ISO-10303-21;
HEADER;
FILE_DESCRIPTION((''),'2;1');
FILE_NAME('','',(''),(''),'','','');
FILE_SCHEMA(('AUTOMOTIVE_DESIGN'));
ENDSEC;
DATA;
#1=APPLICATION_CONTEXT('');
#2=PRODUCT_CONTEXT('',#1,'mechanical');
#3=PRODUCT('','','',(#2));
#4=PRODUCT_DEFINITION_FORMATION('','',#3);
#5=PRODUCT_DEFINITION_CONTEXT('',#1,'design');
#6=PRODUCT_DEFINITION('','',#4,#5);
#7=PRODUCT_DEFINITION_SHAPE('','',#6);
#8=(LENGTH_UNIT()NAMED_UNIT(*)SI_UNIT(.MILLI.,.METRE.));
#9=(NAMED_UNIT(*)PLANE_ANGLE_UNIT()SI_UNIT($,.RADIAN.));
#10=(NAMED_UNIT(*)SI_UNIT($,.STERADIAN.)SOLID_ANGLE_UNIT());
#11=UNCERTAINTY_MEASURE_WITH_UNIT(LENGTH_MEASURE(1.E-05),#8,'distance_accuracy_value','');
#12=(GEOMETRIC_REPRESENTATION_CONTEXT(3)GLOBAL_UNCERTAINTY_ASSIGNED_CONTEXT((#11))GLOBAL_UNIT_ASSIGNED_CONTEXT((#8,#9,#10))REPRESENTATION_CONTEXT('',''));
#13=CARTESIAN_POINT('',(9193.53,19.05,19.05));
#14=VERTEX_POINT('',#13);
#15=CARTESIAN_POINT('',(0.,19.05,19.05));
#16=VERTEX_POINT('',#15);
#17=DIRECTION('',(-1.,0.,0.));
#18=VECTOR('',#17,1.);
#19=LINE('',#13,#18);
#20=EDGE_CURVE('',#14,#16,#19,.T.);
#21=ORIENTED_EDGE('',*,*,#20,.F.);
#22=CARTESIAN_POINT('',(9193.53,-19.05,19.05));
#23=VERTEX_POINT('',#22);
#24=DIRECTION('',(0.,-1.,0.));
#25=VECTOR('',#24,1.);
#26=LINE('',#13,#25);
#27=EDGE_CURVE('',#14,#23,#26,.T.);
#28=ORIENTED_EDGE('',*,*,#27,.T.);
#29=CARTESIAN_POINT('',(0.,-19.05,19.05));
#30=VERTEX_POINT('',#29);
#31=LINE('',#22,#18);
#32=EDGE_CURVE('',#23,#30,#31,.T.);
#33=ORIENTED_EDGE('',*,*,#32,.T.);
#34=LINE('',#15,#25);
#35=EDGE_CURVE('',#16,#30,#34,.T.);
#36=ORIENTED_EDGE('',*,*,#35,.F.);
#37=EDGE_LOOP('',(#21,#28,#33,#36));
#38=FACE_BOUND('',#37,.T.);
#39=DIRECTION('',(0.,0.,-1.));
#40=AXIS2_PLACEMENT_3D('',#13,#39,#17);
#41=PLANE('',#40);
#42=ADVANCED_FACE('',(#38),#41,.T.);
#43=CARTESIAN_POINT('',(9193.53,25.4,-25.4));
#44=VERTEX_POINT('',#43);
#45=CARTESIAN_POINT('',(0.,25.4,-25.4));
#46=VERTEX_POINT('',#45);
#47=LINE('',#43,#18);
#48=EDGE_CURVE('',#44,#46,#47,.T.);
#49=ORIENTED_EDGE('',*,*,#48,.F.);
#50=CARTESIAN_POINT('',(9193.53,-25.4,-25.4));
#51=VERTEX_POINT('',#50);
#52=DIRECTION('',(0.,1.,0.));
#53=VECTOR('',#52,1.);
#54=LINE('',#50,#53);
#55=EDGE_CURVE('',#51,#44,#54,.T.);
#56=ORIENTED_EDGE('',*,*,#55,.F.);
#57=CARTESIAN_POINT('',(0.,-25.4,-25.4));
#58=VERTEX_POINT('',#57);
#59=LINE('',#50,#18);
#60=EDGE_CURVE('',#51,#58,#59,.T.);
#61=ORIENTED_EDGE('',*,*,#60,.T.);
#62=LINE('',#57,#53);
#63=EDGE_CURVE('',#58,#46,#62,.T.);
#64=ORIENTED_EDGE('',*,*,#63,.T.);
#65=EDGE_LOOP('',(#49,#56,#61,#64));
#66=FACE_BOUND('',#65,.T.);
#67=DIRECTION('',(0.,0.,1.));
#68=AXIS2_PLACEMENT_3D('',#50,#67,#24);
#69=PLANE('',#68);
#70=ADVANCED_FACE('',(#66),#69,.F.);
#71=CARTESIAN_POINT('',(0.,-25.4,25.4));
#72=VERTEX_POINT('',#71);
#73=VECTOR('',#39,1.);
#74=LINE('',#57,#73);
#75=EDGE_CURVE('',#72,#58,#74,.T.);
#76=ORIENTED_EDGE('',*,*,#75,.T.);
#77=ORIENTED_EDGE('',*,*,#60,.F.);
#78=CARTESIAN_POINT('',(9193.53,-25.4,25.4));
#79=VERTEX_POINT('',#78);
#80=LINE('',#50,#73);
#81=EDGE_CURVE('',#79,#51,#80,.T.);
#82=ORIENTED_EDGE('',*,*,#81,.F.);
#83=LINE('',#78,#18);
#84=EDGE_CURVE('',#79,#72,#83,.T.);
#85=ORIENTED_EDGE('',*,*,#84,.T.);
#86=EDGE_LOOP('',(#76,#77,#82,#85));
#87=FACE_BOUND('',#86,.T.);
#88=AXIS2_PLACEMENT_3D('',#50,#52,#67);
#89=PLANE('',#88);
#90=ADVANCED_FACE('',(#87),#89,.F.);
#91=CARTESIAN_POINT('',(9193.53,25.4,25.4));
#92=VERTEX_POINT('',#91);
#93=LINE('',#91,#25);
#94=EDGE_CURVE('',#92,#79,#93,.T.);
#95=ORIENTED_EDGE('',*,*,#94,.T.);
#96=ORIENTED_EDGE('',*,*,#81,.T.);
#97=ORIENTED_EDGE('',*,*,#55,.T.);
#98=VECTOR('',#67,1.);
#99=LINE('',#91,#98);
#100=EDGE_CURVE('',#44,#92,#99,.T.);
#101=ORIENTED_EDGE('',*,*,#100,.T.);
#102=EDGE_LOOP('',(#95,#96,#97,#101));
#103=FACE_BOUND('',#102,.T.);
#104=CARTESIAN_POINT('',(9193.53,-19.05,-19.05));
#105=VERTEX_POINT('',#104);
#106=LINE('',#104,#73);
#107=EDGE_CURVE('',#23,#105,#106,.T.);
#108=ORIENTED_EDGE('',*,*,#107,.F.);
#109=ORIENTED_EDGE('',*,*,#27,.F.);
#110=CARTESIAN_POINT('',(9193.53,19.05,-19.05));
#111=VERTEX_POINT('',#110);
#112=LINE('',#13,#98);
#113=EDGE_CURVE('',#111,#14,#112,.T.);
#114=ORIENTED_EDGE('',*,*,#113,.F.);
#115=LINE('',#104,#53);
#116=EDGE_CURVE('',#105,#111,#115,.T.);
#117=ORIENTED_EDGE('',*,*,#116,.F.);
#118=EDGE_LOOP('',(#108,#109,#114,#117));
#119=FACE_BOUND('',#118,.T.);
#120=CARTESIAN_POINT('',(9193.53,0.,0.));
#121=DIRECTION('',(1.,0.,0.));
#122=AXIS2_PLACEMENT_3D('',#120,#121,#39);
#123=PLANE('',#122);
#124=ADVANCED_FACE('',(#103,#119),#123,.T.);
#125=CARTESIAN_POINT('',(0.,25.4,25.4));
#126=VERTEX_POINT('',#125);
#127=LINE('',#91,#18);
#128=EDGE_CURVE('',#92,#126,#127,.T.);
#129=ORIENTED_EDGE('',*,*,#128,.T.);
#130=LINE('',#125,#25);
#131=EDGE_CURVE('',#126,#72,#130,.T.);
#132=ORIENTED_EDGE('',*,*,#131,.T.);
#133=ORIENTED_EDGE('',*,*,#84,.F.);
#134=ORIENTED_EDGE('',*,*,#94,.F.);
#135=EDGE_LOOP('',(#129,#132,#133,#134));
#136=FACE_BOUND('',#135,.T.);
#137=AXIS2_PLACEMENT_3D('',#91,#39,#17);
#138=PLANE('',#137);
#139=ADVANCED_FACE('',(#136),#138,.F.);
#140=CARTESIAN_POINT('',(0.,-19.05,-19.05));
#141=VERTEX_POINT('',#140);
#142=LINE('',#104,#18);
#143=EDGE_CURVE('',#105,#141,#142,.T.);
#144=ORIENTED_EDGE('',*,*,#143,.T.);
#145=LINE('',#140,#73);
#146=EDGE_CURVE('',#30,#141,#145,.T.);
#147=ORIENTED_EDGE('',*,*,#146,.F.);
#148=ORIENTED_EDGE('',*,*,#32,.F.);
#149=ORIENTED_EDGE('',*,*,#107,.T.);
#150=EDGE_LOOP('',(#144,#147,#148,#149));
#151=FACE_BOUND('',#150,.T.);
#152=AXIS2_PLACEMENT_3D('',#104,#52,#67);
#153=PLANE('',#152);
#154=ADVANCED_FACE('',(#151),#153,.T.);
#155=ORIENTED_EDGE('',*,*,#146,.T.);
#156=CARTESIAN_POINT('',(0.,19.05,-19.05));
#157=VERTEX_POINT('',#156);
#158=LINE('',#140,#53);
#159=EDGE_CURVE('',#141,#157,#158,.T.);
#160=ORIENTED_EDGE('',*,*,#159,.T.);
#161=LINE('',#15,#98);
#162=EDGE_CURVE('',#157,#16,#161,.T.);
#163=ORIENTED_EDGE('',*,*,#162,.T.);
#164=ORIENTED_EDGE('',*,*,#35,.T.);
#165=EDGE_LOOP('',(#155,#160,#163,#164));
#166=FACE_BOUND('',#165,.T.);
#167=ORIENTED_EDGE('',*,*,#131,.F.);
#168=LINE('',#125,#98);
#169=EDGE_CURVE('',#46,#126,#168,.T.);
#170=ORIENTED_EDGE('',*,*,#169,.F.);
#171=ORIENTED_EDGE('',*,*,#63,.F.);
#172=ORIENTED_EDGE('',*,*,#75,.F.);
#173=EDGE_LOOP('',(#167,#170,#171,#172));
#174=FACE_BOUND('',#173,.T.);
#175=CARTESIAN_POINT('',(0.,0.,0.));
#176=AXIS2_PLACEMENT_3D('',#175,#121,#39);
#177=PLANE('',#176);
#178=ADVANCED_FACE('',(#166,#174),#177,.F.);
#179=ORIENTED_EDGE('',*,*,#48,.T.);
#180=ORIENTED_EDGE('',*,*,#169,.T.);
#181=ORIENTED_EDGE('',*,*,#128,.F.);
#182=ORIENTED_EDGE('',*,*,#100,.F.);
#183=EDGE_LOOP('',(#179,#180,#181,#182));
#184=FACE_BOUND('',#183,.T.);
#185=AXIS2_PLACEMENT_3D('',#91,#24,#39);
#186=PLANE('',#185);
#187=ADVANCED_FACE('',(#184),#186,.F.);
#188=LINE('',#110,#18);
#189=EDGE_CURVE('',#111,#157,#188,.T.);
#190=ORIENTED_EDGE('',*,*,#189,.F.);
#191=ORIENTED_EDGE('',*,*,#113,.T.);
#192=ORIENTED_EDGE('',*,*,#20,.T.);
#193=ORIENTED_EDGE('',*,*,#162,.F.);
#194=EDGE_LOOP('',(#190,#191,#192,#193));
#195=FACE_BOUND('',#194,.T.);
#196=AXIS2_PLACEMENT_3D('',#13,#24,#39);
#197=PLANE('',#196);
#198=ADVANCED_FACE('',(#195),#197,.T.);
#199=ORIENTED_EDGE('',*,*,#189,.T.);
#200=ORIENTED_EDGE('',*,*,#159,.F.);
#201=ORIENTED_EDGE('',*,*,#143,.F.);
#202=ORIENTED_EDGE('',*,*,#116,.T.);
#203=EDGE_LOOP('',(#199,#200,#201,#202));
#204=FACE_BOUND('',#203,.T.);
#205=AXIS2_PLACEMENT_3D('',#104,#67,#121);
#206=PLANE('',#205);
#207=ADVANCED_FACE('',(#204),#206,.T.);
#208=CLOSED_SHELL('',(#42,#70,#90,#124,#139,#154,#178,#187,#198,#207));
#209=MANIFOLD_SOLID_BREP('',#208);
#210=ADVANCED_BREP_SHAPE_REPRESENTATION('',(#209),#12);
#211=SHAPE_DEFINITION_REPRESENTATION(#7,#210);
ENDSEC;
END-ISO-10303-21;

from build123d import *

# Parameters (mm, degrees)
SKETCH11_W                                     = 50.8
SKETCH11_H                                     = 50.8
SKETCH11_W_2                                   = 38.1
SKETCH11_H_2                                   = 38.1
AL_TUBE_SQUARE_AL_TUBE_2_SQR_X_0_25_WALL_DEPTH = 9193.53


with BuildPart() as part:
    # Sketch11 → Al tube square AL TUBE 2 SQR X 0.25 WALL(1) (new body)
    with BuildSketch(Plane.YZ):
        Rectangle(SKETCH11_W, SKETCH11_H)
        Rectangle(SKETCH11_W_2, SKETCH11_H_2, mode=Mode.SUBTRACT)
    extrude(amount=AL_TUBE_SQUARE_AL_TUBE_2_SQR_X_0_25_WALL_DEPTH)


solid = part.part
